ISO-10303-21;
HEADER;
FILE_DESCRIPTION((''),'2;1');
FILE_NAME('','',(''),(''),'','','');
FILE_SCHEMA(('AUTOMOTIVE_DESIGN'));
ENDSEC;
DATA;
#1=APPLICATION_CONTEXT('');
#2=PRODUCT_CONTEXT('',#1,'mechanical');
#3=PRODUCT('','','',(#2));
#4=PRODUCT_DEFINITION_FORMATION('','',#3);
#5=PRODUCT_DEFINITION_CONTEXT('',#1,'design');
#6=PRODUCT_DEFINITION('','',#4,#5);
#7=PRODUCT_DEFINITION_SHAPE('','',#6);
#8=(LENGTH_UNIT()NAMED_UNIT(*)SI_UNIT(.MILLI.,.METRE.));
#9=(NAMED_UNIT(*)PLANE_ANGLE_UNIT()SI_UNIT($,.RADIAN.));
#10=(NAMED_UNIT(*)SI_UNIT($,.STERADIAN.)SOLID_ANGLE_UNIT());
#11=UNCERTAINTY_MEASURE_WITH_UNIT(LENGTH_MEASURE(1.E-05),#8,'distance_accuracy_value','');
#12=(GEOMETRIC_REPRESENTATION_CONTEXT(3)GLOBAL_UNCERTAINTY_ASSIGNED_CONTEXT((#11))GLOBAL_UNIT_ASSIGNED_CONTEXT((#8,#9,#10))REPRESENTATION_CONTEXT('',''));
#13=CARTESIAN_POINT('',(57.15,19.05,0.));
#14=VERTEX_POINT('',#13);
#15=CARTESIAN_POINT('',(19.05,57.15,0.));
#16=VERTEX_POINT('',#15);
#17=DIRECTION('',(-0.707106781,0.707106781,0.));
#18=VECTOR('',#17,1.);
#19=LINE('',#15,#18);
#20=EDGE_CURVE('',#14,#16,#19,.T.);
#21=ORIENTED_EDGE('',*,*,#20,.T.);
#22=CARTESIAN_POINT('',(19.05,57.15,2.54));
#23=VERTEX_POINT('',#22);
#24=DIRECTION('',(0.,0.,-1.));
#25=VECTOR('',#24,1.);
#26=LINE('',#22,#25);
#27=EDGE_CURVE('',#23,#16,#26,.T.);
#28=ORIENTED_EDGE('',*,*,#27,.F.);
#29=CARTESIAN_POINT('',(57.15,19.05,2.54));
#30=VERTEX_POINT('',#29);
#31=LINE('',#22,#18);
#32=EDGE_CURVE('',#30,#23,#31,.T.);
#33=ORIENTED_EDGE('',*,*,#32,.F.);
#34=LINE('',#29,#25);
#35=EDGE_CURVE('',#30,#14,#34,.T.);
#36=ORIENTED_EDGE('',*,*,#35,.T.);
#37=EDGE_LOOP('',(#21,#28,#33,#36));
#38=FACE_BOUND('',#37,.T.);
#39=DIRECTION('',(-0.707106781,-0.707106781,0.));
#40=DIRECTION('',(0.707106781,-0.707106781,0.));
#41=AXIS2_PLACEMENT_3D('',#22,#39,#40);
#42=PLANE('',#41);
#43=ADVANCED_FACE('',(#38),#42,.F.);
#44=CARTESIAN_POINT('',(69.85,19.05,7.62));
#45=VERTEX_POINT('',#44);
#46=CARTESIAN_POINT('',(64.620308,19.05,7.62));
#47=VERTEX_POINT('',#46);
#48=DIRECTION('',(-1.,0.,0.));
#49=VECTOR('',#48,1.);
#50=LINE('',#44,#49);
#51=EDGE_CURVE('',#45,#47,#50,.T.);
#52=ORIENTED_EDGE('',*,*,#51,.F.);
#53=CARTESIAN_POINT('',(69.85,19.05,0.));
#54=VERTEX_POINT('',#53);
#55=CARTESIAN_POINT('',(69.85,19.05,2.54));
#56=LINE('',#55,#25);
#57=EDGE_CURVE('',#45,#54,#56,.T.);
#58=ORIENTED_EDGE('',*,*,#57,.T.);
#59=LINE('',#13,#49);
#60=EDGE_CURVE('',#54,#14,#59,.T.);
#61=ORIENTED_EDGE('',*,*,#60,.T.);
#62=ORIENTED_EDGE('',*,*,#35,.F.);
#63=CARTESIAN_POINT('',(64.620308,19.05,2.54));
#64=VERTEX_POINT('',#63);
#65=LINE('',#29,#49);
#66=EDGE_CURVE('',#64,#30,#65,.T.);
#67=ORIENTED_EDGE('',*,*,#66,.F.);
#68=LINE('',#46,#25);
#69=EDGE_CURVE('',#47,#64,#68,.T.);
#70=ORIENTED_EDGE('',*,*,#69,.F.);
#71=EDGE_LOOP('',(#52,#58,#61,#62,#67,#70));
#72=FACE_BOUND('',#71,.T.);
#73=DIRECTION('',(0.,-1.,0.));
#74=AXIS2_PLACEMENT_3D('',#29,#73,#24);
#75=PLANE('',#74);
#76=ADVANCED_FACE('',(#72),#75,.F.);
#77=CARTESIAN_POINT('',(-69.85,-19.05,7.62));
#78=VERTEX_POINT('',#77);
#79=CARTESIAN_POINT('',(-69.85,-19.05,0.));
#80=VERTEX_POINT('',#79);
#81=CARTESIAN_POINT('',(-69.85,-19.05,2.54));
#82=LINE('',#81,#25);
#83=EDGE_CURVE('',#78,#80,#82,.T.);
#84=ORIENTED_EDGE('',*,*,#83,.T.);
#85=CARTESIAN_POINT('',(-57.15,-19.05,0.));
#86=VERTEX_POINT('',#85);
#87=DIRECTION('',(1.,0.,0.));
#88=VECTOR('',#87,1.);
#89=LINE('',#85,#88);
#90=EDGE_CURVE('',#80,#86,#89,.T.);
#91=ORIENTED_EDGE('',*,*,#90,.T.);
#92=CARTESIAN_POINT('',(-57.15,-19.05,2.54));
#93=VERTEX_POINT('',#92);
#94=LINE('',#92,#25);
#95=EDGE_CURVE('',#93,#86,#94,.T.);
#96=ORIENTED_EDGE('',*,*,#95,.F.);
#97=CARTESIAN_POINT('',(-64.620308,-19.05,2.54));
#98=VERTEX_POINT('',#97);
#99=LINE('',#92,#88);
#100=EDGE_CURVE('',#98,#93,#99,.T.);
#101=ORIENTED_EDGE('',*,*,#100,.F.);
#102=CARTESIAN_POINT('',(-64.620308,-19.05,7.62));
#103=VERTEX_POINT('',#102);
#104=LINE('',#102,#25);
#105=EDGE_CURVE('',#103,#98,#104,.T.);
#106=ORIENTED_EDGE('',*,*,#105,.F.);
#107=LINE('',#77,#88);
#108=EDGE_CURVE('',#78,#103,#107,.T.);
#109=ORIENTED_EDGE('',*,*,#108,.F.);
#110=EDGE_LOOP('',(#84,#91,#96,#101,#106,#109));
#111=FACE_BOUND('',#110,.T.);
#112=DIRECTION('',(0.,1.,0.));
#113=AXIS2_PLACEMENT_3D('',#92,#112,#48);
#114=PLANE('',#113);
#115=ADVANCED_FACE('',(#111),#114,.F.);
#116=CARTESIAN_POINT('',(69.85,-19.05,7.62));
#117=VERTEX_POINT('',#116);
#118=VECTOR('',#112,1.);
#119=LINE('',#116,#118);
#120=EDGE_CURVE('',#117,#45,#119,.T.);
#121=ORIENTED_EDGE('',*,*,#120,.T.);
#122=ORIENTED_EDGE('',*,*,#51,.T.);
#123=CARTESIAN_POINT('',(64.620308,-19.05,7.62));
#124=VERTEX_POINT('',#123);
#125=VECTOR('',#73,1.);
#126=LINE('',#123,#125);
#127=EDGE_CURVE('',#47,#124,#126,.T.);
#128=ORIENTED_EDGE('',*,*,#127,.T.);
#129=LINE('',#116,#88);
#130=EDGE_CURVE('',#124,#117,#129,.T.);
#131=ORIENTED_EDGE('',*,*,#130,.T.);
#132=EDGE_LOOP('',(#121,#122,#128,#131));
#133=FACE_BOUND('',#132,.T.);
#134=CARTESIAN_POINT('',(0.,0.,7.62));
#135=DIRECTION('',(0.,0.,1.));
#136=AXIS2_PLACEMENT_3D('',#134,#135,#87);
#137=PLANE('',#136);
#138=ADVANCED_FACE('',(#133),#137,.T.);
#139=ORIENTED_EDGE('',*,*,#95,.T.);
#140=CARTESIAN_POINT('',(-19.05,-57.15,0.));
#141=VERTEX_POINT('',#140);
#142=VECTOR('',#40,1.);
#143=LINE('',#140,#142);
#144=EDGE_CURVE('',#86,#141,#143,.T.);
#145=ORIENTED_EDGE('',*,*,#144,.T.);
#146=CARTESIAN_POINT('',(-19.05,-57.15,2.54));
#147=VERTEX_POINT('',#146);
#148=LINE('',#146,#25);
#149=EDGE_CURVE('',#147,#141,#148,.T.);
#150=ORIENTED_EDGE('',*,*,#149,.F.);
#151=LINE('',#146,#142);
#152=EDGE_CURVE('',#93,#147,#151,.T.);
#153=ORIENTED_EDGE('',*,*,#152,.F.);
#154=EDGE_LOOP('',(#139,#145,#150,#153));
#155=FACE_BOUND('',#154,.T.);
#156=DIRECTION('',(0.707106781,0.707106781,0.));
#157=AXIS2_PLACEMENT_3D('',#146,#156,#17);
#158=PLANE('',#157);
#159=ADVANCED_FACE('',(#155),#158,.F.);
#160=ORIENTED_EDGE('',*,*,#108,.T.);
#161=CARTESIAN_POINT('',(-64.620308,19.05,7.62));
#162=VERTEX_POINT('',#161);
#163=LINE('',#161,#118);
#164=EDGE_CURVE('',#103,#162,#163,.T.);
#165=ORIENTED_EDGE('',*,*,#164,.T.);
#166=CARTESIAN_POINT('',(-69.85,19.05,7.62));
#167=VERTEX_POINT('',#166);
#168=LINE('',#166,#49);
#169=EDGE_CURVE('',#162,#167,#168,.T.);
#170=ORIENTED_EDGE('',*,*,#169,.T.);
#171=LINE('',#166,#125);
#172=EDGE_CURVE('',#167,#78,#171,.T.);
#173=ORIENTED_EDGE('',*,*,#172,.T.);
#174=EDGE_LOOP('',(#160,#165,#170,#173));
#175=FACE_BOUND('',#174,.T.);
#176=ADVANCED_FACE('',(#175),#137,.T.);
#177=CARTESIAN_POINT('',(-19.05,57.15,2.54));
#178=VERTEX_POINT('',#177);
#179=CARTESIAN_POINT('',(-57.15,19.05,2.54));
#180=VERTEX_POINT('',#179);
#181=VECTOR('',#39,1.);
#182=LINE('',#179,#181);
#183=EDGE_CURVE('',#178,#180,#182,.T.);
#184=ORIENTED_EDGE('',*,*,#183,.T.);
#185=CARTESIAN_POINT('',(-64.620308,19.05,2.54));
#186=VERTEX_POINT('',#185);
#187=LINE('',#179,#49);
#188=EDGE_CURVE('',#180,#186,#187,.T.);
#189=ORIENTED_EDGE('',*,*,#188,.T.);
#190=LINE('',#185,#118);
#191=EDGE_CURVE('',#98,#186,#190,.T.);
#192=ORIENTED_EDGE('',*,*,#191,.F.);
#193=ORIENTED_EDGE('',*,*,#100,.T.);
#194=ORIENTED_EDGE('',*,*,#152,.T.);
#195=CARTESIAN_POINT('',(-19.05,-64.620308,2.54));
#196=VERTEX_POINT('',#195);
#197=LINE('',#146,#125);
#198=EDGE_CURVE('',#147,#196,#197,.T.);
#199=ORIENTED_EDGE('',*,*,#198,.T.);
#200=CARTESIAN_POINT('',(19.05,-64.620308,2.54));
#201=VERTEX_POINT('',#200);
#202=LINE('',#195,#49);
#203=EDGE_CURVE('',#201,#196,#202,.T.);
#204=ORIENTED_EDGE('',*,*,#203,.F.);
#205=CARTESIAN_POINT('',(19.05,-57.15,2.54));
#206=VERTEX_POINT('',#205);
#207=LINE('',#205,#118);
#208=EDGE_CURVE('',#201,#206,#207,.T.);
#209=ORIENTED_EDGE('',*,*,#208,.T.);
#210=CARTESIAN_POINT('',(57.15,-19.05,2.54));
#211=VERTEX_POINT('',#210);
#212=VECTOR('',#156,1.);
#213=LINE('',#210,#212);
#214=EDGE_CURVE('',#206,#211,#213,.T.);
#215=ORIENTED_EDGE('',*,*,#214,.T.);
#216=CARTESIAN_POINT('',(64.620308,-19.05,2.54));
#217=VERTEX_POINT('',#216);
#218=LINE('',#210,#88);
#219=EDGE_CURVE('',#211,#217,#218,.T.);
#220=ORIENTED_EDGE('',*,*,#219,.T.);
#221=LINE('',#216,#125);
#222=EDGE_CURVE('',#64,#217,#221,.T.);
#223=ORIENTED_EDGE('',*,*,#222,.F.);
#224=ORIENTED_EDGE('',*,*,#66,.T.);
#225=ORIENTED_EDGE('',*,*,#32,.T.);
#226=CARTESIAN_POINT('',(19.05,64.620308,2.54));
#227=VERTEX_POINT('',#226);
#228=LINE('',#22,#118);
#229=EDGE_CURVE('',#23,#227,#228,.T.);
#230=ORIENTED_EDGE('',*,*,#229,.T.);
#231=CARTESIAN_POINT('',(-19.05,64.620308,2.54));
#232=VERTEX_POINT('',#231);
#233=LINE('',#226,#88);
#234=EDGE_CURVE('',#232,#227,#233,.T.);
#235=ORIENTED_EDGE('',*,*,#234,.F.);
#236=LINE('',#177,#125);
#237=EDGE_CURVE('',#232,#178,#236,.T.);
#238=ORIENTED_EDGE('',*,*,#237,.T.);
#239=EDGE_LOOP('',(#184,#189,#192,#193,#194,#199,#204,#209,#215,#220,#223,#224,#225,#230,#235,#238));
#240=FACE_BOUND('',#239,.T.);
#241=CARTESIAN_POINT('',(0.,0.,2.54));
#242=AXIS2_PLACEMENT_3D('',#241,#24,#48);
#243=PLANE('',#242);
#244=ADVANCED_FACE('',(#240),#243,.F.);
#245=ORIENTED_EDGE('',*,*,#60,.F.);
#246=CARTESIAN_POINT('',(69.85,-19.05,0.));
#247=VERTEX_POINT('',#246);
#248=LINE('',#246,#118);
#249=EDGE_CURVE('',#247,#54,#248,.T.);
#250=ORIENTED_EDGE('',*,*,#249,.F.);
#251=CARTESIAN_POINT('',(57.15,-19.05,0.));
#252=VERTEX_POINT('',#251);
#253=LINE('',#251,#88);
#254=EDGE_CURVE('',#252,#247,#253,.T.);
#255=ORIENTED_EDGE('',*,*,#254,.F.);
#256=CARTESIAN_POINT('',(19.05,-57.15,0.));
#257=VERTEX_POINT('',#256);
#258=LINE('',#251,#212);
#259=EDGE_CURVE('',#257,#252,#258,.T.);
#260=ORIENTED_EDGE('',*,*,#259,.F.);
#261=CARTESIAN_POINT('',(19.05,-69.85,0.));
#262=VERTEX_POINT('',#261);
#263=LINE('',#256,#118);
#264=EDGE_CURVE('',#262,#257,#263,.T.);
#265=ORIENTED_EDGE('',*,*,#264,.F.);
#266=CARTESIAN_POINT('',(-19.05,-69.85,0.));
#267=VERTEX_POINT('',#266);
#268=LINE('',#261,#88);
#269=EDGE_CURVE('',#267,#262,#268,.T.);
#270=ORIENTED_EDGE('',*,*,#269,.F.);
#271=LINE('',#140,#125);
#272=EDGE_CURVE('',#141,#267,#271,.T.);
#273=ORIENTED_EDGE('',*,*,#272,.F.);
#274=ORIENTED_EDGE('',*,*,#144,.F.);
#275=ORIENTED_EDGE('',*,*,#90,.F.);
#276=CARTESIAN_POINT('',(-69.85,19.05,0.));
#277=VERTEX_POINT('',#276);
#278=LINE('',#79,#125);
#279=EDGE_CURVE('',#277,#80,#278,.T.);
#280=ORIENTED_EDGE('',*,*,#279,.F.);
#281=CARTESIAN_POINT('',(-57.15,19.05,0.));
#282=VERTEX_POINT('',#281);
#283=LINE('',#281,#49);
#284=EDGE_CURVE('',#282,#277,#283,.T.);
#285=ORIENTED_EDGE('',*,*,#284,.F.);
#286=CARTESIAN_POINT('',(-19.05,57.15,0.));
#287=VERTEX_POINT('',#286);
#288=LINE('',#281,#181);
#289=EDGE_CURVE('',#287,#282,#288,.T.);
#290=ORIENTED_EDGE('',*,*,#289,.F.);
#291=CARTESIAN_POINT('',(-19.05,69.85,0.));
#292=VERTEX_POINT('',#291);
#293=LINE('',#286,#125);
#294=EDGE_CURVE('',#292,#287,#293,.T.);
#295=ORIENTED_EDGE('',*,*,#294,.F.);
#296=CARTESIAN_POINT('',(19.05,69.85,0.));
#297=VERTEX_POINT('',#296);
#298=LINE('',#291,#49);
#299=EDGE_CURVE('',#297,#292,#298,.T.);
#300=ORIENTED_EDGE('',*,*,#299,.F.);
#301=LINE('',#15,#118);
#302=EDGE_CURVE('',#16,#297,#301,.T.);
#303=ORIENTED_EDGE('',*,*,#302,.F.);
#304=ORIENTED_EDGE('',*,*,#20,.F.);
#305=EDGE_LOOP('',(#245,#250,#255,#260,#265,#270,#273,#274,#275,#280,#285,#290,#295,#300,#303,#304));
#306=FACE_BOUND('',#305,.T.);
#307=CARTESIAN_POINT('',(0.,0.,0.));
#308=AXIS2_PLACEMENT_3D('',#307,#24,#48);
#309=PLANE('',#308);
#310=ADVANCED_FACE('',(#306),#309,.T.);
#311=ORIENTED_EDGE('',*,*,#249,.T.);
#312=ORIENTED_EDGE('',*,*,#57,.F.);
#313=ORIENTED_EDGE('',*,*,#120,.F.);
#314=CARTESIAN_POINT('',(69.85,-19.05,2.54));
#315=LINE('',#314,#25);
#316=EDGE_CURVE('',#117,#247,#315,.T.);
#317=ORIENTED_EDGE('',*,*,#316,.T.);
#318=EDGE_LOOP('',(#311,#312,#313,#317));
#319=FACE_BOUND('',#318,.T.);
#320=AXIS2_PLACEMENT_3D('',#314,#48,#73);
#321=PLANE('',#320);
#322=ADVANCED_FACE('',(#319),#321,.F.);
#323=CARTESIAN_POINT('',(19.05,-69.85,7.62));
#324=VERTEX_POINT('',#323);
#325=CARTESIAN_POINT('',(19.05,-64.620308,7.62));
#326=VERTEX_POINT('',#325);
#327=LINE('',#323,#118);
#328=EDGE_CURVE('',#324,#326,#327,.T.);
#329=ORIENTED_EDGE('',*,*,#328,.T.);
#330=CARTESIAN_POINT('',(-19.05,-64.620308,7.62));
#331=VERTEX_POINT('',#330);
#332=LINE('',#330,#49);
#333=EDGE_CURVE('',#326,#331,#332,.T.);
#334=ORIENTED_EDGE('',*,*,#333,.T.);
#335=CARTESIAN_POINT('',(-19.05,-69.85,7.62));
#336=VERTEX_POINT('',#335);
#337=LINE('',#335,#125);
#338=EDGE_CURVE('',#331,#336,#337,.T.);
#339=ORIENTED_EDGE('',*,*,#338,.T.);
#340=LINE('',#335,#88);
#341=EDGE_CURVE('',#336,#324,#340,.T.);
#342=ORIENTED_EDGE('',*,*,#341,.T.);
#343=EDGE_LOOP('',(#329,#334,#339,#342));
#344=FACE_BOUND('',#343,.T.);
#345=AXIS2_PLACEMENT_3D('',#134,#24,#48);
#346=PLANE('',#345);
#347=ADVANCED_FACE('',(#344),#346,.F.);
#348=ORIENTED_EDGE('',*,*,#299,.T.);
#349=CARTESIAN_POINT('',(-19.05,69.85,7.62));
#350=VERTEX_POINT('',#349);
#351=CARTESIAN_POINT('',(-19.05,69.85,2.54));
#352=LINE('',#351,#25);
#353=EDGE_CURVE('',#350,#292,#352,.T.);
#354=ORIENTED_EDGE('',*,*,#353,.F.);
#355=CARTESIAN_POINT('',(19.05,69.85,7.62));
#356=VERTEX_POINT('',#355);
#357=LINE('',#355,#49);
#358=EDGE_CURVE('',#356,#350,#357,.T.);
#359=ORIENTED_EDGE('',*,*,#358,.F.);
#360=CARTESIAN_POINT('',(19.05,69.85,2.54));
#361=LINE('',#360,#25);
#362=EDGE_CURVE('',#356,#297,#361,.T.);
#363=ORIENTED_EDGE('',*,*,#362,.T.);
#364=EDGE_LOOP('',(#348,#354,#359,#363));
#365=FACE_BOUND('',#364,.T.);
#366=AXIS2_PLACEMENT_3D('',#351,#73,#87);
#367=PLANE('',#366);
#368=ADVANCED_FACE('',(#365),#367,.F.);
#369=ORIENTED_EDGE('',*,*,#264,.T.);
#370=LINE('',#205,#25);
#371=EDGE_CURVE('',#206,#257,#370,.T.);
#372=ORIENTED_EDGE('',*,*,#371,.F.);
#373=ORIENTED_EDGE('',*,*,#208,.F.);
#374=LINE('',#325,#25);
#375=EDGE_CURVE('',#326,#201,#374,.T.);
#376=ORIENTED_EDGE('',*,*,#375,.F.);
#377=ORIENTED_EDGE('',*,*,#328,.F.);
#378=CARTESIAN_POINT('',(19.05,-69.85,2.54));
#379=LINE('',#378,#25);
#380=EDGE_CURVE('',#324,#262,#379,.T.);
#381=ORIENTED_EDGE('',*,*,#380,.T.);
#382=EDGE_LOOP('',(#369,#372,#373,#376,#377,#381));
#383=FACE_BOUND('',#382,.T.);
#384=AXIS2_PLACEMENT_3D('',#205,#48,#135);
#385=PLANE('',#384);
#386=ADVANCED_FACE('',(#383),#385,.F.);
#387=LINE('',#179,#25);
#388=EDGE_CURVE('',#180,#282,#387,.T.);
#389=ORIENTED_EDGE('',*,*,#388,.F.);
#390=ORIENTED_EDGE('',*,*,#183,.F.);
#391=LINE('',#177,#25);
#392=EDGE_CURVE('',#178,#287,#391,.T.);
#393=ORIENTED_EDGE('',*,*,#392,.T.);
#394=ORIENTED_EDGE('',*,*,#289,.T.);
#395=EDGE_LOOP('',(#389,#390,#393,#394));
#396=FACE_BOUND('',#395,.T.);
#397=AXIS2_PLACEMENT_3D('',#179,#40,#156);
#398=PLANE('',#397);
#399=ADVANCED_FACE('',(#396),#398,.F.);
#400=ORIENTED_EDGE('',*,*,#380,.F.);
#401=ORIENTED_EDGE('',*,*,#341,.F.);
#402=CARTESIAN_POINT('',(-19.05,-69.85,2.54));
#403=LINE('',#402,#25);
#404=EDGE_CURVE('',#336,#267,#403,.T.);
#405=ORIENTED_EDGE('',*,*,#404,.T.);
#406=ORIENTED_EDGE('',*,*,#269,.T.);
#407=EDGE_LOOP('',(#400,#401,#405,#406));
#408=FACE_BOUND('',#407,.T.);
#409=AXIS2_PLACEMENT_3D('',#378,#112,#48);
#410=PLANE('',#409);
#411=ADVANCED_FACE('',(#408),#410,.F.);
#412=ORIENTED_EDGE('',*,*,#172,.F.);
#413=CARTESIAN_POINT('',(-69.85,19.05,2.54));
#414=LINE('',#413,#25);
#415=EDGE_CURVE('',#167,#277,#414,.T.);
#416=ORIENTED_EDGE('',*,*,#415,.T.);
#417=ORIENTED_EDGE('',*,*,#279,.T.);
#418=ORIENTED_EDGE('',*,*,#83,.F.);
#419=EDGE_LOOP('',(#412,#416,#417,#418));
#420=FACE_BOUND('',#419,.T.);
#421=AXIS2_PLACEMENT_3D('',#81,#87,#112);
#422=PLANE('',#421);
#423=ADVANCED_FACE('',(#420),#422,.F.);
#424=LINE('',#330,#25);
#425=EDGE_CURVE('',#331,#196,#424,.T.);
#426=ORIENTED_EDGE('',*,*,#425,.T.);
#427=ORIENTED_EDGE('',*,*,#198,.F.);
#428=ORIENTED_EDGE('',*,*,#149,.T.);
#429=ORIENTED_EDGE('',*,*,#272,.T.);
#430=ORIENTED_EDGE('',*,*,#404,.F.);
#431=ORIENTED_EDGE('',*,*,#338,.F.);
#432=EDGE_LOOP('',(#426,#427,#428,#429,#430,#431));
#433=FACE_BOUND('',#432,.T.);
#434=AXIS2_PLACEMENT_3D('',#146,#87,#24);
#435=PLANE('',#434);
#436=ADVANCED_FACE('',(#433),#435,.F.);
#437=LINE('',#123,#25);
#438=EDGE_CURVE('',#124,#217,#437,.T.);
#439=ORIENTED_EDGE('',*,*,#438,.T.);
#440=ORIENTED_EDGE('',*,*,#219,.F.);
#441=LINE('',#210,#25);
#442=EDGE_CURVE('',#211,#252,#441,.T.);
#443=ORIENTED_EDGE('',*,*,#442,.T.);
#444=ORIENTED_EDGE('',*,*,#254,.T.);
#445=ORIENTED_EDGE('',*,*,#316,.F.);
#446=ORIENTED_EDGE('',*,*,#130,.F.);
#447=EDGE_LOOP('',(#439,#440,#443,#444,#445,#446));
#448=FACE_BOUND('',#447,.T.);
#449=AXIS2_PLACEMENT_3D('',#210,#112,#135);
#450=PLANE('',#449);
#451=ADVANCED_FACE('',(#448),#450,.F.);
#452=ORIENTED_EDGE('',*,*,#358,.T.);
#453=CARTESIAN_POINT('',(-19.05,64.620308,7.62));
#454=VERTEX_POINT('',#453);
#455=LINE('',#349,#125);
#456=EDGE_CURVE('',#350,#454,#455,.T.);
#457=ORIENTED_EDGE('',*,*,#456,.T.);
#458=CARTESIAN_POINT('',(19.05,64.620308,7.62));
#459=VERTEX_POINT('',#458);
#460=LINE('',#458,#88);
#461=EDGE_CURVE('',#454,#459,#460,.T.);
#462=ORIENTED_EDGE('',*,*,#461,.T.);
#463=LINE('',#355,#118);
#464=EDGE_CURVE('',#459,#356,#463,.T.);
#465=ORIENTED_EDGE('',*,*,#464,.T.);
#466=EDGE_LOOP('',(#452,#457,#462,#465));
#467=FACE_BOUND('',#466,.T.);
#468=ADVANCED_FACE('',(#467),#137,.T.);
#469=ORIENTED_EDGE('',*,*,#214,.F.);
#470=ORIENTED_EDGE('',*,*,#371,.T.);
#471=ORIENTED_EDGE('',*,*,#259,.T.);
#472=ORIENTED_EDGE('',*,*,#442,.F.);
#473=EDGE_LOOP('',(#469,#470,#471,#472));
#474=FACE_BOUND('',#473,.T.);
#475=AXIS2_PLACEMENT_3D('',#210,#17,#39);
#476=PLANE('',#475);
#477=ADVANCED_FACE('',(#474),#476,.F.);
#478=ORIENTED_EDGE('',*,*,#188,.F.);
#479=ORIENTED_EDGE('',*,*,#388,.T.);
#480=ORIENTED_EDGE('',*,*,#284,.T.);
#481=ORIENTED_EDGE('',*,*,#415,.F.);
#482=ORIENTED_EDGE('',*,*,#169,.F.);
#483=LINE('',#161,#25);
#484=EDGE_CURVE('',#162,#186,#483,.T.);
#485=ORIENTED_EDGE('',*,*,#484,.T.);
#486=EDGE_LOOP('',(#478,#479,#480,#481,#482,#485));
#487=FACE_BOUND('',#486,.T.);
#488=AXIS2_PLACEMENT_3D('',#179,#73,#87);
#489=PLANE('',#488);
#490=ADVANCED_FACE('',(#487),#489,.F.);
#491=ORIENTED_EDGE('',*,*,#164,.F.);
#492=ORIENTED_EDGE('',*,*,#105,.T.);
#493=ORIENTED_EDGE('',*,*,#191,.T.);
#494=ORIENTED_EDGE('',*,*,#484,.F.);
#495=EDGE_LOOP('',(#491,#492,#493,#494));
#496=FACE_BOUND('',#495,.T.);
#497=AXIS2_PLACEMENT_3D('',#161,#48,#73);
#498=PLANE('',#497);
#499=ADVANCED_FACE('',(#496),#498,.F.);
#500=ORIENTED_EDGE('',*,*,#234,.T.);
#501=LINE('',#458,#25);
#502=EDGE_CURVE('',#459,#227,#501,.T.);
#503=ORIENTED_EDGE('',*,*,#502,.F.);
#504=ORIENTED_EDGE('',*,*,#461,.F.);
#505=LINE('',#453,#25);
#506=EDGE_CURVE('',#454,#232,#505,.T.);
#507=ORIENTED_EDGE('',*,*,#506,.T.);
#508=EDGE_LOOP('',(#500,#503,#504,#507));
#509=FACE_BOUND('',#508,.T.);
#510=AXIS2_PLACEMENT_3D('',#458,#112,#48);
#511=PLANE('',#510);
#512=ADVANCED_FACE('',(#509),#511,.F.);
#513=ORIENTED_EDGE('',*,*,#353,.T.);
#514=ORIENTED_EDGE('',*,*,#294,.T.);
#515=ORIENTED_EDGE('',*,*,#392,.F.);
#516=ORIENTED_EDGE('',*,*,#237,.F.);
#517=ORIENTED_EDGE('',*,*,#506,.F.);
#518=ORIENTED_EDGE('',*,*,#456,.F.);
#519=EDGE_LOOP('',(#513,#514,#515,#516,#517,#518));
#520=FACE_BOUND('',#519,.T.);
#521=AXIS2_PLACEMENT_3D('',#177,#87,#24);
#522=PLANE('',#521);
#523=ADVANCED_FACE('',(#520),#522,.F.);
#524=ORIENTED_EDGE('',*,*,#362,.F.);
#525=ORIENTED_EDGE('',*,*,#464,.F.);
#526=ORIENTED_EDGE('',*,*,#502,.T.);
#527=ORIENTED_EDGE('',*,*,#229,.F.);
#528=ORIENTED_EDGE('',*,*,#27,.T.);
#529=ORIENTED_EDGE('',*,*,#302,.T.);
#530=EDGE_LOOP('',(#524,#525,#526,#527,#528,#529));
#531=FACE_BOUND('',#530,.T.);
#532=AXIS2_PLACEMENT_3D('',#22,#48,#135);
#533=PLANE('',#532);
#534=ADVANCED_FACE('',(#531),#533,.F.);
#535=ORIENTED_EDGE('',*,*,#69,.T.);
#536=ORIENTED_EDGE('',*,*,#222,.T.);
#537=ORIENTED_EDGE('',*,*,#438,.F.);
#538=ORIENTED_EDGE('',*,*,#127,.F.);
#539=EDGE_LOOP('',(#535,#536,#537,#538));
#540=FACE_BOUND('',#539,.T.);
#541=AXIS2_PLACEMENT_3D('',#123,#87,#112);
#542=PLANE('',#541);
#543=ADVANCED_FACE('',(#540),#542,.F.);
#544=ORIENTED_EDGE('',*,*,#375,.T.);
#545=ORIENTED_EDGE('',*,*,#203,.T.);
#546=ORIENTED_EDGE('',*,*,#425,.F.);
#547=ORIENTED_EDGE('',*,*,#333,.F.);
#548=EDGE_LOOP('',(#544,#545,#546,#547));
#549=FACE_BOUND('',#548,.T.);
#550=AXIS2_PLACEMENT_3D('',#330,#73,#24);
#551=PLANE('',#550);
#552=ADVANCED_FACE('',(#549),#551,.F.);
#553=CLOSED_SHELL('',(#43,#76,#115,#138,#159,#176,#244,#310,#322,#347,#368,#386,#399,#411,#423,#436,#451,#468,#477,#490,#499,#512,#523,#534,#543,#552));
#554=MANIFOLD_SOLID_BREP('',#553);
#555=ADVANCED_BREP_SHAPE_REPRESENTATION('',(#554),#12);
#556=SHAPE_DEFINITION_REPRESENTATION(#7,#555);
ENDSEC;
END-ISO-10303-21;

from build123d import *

# Parameters (mm, degrees)
BOSS_EXTRUDE1_DEPTH = 2.54
SKETCH2_W           = 38.1
SKETCH2_H           = 5.229692412
SKETCH2_W_2         = 5.229692412
SKETCH2_H_2         = 38.1
BOSS_EXTRUDE2_DEPTH = 5.08


with BuildPart() as part:
    # Sketch1 → Boss-Extrude1 (new body)
    with BuildSketch(Plane.XY):
        Polygon((57.15, 19.05), (69.85, 19.05), (69.85, -19.05), (57.15, -19.05), (19.05, -57.15), (19.05, -69.85), (-19.05, -69.85), (-19.05, -57.15), (-57.15, -19.05), (-69.85, -19.05), (-69.85, 19.05), (-57.15, 19.05), (-19.05, 57.15), (-19.05, 69.85), (19.05, 69.85), (19.05, 57.15), align=None)
    extrude(amount=BOSS_EXTRUDE1_DEPTH)

    # Sketch2 → Boss-Extrude2 (add)
    with BuildSketch(Plane.XY.offset(2.54)):
        with Locations((0, -67.235153794)):
            Rectangle(SKETCH2_W, SKETCH2_H)
        with Locations((-67.235153794, 0)):
            Rectangle(SKETCH2_W_2, SKETCH2_H_2)
        with Locations((0, 67.235153794)):
            Rectangle(SKETCH2_W, SKETCH2_H)
        with Locations((67.235153794, 0)):
            Rectangle(SKETCH2_W_2, SKETCH2_H_2)
    extrude(amount=BOSS_EXTRUDE2_DEPTH)


solid = part.part
